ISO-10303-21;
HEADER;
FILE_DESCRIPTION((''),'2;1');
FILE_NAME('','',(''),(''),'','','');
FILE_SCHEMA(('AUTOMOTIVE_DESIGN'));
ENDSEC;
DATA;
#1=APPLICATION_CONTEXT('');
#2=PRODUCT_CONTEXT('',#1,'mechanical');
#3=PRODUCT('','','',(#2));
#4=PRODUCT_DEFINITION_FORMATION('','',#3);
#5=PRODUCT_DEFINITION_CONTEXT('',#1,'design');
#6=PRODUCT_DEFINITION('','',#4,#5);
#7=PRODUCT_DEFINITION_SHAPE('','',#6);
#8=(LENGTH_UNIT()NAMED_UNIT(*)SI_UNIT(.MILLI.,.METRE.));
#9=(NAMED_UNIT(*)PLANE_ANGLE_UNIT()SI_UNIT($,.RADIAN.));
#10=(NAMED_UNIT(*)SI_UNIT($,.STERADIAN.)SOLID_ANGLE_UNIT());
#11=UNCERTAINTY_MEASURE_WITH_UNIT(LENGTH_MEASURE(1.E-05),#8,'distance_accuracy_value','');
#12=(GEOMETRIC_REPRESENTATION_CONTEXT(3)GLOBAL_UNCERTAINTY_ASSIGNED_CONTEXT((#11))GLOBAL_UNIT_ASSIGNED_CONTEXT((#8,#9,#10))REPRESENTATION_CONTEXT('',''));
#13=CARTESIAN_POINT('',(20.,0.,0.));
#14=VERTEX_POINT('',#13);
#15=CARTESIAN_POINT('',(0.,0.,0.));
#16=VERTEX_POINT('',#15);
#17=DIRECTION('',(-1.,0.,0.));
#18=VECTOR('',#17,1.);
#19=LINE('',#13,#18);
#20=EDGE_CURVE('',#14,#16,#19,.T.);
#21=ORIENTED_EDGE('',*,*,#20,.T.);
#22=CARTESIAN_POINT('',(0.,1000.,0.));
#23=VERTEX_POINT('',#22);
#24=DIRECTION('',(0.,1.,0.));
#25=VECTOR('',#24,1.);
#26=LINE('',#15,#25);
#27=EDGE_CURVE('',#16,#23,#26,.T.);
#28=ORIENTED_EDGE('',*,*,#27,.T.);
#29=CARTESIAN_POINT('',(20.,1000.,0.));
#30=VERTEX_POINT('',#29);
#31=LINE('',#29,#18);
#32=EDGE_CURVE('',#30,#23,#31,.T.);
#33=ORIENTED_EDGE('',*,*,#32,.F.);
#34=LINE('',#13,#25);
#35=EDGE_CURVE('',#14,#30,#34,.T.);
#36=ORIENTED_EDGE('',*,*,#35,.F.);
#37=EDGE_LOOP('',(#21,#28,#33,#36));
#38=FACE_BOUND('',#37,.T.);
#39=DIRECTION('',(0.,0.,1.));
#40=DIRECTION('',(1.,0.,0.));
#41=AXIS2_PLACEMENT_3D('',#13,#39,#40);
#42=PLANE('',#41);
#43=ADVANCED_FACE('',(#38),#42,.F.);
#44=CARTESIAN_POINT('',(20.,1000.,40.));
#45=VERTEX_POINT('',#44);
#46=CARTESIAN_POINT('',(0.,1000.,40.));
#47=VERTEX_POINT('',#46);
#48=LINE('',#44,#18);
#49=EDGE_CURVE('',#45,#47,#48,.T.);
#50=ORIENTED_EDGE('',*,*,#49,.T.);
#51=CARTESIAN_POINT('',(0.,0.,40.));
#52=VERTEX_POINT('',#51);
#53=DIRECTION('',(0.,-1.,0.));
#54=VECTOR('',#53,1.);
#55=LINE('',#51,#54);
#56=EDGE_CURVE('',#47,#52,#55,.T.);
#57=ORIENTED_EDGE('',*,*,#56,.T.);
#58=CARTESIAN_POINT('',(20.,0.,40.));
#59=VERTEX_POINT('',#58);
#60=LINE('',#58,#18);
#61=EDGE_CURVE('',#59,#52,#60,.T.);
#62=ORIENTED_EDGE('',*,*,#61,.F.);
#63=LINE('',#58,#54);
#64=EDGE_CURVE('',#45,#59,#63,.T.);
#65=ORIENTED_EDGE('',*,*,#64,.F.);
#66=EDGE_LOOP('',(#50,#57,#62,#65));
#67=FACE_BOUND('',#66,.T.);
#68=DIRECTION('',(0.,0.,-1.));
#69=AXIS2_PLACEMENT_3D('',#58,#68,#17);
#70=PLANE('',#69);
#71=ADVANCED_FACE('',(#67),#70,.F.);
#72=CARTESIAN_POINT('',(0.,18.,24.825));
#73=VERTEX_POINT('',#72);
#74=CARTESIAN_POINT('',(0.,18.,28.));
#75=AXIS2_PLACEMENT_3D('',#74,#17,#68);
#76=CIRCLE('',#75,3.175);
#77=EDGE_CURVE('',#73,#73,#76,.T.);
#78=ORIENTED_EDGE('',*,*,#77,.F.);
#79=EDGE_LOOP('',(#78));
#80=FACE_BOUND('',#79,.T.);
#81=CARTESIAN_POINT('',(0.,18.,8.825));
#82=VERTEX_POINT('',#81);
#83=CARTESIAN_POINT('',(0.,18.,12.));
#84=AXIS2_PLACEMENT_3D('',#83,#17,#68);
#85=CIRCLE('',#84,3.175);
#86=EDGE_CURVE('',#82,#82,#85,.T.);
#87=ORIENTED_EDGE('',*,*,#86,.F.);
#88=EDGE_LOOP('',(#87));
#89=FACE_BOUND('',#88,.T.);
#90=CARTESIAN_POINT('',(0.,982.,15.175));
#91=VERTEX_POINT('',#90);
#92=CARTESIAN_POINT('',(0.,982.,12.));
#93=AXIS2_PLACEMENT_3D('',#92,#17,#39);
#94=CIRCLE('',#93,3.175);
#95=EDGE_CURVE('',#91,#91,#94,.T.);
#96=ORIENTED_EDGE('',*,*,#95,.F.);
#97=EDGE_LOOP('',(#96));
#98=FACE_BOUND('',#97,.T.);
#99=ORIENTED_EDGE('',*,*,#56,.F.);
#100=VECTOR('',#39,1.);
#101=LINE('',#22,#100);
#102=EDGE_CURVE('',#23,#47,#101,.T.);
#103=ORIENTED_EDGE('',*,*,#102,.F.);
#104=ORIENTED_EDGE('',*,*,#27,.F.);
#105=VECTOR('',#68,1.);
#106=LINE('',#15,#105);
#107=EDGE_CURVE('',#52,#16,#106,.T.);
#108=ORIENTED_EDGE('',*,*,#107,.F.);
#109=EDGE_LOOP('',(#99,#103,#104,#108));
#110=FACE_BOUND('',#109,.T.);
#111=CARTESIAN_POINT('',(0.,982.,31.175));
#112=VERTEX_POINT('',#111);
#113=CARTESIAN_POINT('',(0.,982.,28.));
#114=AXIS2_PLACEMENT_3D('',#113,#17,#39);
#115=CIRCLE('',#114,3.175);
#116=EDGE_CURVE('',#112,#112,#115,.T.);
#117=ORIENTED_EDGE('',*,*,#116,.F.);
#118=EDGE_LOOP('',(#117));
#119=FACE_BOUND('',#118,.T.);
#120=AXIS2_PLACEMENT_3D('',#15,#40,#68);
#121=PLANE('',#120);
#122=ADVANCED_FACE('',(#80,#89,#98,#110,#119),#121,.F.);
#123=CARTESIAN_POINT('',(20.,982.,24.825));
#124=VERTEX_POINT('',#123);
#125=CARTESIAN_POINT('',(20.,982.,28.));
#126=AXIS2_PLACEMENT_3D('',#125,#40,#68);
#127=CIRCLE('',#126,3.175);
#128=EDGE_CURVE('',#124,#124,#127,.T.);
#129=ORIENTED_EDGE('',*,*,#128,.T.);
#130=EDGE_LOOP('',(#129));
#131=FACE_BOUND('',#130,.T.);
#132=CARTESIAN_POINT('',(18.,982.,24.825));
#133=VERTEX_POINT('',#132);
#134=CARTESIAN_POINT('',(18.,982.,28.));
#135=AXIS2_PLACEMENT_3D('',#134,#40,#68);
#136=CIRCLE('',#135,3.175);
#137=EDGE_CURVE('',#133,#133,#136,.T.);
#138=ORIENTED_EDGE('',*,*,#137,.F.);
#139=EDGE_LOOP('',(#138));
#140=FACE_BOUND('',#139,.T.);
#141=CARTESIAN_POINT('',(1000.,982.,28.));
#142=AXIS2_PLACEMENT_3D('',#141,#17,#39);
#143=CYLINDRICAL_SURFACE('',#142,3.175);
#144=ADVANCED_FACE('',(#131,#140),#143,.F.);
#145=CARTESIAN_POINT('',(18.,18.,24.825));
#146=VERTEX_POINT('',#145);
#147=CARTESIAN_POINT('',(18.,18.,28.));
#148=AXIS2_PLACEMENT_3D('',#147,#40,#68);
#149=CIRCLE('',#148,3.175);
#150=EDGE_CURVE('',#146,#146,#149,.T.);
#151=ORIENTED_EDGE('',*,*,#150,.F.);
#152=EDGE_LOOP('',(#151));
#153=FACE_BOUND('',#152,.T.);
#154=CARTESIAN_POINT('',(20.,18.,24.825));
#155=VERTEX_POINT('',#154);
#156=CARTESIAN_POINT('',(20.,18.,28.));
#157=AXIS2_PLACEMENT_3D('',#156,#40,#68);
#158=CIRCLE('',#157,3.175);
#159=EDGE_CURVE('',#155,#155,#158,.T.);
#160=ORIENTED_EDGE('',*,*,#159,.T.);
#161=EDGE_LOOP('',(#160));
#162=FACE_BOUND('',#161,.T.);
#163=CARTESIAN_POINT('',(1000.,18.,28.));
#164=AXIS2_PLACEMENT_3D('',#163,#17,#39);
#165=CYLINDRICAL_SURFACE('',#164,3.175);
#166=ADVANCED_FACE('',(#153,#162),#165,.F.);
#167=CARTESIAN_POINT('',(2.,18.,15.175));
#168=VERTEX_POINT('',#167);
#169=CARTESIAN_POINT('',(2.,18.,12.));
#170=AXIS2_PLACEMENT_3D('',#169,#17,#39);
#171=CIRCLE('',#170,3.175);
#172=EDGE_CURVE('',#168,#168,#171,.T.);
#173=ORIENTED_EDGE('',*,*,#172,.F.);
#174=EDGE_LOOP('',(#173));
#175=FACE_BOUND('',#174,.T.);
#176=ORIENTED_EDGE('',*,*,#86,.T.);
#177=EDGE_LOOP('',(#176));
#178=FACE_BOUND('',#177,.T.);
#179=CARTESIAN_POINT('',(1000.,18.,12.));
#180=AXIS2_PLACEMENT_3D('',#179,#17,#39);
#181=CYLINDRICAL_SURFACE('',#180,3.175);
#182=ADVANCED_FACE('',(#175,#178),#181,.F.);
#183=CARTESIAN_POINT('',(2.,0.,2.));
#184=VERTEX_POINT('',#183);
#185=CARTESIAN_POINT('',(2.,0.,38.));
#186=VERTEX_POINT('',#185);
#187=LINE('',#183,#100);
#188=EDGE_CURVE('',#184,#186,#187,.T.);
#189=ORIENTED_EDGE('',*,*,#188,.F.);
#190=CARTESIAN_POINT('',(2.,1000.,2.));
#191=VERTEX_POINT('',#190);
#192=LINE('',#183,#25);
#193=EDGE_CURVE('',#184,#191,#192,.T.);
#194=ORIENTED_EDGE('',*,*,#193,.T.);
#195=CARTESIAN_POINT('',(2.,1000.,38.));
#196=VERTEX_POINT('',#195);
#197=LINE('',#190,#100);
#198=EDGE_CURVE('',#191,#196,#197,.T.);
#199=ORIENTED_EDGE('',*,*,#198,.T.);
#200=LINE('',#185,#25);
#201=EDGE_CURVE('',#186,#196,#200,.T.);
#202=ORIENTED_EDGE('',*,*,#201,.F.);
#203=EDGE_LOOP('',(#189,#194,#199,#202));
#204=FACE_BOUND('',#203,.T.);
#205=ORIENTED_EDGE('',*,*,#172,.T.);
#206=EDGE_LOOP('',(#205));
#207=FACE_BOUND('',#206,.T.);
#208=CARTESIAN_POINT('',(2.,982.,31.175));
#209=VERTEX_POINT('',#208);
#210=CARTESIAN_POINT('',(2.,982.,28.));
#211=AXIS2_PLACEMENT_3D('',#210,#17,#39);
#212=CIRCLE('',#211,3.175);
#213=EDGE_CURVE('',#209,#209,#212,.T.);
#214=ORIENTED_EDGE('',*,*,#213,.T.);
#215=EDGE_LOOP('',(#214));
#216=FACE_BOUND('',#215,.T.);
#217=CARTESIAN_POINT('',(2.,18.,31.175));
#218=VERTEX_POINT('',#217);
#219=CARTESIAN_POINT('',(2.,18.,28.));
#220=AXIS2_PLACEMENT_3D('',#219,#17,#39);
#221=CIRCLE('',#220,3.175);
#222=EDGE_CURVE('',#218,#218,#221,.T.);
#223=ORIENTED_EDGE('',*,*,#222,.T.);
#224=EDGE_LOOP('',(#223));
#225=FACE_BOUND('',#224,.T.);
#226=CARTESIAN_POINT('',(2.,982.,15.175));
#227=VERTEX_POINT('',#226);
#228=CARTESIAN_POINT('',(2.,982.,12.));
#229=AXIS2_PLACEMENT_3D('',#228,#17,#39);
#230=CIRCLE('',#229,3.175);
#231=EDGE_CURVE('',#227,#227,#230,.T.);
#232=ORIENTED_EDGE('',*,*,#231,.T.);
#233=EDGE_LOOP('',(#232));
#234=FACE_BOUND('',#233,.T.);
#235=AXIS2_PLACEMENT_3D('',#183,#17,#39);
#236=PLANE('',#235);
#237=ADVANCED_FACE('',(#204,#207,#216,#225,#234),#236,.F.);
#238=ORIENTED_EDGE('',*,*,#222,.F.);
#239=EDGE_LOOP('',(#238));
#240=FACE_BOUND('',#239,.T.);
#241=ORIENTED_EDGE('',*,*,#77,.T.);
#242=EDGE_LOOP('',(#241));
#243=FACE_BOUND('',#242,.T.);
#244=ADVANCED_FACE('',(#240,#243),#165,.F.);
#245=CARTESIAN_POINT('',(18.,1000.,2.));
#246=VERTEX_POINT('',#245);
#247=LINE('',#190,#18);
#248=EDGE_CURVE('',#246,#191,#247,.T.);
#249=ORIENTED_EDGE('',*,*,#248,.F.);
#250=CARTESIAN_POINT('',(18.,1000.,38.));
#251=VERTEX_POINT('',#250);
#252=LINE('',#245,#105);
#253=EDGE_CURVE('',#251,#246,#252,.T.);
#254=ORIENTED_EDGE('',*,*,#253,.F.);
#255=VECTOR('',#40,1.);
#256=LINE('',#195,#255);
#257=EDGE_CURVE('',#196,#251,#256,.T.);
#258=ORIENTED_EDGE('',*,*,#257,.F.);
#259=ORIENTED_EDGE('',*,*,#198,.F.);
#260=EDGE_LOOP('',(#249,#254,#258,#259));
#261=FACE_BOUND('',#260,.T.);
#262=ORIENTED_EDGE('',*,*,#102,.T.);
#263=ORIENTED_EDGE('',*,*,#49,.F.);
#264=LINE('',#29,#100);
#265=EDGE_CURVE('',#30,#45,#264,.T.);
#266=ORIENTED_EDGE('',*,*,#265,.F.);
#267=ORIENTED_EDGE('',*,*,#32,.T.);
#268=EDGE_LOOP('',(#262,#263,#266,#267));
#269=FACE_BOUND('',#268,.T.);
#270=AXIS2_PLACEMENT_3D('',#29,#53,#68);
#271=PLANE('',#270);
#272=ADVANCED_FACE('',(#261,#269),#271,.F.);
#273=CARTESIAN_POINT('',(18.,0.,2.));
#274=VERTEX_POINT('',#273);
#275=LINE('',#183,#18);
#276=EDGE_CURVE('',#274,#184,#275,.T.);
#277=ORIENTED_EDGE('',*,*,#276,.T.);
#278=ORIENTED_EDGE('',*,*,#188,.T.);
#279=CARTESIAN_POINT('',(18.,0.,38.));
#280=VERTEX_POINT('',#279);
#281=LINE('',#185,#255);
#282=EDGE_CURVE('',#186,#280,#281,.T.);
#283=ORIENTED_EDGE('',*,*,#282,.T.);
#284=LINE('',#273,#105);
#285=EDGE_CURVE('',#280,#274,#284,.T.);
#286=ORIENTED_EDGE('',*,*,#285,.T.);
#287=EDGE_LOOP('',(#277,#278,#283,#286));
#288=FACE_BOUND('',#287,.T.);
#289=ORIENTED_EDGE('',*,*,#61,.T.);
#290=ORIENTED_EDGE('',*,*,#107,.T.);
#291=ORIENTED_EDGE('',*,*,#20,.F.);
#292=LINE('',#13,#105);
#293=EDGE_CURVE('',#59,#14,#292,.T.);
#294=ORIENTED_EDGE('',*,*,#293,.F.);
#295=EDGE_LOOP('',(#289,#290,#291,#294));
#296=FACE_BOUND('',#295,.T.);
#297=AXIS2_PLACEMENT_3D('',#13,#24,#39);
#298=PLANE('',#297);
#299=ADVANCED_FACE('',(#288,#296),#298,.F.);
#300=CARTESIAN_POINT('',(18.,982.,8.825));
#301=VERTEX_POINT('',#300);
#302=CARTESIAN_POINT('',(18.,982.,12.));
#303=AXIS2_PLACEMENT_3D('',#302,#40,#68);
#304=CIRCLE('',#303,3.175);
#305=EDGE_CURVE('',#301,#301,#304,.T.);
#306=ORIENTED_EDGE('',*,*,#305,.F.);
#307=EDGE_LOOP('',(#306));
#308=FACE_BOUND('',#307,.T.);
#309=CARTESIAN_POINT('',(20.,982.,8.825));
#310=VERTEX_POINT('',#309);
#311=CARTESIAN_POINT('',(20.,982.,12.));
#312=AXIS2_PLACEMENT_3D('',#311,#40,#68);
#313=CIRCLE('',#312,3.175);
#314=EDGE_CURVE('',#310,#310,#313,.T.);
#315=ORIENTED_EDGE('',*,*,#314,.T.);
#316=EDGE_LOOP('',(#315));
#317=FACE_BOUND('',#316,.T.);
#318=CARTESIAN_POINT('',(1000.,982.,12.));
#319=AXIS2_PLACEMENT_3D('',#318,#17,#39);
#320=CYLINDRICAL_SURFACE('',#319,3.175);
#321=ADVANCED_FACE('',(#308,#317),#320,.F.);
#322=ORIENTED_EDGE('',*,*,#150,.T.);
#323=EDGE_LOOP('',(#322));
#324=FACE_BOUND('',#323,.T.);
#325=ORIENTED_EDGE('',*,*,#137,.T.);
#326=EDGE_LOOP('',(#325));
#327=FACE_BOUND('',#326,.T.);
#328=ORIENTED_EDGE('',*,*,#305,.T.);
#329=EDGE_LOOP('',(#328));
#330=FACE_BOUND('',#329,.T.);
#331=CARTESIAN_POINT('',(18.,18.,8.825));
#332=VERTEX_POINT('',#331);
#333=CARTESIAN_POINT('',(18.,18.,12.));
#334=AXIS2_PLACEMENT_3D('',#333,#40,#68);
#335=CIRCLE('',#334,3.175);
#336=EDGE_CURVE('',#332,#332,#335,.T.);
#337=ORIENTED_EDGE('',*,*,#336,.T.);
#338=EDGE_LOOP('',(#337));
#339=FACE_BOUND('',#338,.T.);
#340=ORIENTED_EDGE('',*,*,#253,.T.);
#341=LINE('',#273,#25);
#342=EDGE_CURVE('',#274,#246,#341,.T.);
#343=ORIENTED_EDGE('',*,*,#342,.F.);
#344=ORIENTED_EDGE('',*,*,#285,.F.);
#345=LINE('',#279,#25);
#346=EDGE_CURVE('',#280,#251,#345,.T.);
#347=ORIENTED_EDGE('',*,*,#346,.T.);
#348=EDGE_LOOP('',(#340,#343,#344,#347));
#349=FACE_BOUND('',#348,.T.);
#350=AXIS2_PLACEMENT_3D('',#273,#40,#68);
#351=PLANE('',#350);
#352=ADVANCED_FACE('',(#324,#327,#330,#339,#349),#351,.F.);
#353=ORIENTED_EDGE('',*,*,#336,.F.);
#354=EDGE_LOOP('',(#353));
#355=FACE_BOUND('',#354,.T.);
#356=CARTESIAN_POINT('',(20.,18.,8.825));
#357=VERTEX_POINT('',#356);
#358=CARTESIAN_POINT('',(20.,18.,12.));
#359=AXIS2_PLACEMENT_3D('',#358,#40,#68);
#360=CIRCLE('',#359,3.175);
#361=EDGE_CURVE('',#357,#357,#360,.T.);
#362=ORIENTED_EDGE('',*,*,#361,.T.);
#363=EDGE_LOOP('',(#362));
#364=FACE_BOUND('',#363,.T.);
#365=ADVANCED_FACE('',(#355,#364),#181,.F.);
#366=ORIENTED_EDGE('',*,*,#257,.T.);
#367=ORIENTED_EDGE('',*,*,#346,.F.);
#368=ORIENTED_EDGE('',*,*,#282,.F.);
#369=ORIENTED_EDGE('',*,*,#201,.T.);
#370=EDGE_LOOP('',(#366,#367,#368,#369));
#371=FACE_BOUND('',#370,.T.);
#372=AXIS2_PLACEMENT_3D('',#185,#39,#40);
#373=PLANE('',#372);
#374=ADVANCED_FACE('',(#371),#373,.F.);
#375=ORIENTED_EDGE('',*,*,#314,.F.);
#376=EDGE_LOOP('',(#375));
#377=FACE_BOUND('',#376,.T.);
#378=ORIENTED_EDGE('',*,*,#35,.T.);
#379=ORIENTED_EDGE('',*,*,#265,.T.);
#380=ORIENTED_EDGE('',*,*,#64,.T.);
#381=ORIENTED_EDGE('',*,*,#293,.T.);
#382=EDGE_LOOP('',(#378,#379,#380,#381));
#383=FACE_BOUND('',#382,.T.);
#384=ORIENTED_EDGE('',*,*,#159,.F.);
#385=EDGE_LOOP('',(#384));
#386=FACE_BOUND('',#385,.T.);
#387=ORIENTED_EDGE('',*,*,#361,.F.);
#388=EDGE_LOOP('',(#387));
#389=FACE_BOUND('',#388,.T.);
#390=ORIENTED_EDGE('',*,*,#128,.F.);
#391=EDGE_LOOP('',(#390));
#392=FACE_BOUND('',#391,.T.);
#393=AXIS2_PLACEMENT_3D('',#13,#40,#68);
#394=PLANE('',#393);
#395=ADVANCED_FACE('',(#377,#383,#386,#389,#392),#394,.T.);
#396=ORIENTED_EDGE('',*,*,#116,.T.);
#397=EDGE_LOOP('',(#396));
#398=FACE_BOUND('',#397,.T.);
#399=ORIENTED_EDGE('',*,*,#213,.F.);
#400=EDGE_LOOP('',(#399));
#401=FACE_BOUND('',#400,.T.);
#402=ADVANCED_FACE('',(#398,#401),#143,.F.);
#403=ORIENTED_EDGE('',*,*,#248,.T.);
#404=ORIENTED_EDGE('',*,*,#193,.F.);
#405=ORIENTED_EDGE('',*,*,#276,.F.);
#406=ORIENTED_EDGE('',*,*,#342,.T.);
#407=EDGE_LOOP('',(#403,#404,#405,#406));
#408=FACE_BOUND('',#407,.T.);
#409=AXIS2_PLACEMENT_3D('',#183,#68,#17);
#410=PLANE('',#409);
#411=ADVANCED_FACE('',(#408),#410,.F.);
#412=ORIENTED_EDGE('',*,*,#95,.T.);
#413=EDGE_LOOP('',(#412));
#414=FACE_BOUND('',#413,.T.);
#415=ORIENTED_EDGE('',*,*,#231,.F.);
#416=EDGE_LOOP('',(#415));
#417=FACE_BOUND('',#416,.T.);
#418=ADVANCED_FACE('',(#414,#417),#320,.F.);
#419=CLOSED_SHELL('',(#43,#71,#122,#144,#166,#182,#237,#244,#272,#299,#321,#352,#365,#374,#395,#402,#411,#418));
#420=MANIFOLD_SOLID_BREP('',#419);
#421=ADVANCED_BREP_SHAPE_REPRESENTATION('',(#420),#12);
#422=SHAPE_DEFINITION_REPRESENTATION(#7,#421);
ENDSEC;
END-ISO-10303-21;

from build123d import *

# Parameters (mm, degrees)
CROQUIS1_W              = 40
CROQUIS1_H              = 1000
SALIENTE_EXTRUIR1_DEPTH = 20
CROQUIS2_W              = 16
CROQUIS2_H              = 36
CORTAR_EXTRUIR1_DEPTH   = 1000
CROQUIS3_R              = 3.175
CORTAR_EXTRUIR2_DEPTH   = 1000


with BuildPart() as part:
    # Croquis1 → Saliente-Extruir1 (new body)
    with BuildSketch(Plane(origin=(0, 0, 0), x_dir=(0, 0, -1), z_dir=(1, 0, 0))):
        with Locations((-20, 500)):
            Rectangle(CROQUIS1_W, CROQUIS1_H)
    extrude(amount=SALIENTE_EXTRUIR1_DEPTH)

    # Croquis2 → Cortar-Extruir1 (cut)
    with BuildSketch(Plane(origin=(0, 1000, 0), x_dir=(1, 0, 0), z_dir=(0, 1, 0))):
        with Locations((10, -20)):
            Rectangle(CROQUIS2_W, CROQUIS2_H)
    extrude(amount=-CORTAR_EXTRUIR1_DEPTH, mode=Mode.SUBTRACT)

    # Croquis3 → Cortar-Extruir2 (cut)
    with BuildSketch(Plane.ZY):
        with Locations((12, 982)):
            Circle(CROQUIS3_R)
        with Locations((28, 982)):
            Circle(CROQUIS3_R)
        with Locations((28, 18)):
            Circle(CROQUIS3_R)
        with Locations((12, 18)):
            Circle(CROQUIS3_R)
    extrude(amount=-CORTAR_EXTRUIR2_DEPTH, mode=Mode.SUBTRACT)


solid = part.part
